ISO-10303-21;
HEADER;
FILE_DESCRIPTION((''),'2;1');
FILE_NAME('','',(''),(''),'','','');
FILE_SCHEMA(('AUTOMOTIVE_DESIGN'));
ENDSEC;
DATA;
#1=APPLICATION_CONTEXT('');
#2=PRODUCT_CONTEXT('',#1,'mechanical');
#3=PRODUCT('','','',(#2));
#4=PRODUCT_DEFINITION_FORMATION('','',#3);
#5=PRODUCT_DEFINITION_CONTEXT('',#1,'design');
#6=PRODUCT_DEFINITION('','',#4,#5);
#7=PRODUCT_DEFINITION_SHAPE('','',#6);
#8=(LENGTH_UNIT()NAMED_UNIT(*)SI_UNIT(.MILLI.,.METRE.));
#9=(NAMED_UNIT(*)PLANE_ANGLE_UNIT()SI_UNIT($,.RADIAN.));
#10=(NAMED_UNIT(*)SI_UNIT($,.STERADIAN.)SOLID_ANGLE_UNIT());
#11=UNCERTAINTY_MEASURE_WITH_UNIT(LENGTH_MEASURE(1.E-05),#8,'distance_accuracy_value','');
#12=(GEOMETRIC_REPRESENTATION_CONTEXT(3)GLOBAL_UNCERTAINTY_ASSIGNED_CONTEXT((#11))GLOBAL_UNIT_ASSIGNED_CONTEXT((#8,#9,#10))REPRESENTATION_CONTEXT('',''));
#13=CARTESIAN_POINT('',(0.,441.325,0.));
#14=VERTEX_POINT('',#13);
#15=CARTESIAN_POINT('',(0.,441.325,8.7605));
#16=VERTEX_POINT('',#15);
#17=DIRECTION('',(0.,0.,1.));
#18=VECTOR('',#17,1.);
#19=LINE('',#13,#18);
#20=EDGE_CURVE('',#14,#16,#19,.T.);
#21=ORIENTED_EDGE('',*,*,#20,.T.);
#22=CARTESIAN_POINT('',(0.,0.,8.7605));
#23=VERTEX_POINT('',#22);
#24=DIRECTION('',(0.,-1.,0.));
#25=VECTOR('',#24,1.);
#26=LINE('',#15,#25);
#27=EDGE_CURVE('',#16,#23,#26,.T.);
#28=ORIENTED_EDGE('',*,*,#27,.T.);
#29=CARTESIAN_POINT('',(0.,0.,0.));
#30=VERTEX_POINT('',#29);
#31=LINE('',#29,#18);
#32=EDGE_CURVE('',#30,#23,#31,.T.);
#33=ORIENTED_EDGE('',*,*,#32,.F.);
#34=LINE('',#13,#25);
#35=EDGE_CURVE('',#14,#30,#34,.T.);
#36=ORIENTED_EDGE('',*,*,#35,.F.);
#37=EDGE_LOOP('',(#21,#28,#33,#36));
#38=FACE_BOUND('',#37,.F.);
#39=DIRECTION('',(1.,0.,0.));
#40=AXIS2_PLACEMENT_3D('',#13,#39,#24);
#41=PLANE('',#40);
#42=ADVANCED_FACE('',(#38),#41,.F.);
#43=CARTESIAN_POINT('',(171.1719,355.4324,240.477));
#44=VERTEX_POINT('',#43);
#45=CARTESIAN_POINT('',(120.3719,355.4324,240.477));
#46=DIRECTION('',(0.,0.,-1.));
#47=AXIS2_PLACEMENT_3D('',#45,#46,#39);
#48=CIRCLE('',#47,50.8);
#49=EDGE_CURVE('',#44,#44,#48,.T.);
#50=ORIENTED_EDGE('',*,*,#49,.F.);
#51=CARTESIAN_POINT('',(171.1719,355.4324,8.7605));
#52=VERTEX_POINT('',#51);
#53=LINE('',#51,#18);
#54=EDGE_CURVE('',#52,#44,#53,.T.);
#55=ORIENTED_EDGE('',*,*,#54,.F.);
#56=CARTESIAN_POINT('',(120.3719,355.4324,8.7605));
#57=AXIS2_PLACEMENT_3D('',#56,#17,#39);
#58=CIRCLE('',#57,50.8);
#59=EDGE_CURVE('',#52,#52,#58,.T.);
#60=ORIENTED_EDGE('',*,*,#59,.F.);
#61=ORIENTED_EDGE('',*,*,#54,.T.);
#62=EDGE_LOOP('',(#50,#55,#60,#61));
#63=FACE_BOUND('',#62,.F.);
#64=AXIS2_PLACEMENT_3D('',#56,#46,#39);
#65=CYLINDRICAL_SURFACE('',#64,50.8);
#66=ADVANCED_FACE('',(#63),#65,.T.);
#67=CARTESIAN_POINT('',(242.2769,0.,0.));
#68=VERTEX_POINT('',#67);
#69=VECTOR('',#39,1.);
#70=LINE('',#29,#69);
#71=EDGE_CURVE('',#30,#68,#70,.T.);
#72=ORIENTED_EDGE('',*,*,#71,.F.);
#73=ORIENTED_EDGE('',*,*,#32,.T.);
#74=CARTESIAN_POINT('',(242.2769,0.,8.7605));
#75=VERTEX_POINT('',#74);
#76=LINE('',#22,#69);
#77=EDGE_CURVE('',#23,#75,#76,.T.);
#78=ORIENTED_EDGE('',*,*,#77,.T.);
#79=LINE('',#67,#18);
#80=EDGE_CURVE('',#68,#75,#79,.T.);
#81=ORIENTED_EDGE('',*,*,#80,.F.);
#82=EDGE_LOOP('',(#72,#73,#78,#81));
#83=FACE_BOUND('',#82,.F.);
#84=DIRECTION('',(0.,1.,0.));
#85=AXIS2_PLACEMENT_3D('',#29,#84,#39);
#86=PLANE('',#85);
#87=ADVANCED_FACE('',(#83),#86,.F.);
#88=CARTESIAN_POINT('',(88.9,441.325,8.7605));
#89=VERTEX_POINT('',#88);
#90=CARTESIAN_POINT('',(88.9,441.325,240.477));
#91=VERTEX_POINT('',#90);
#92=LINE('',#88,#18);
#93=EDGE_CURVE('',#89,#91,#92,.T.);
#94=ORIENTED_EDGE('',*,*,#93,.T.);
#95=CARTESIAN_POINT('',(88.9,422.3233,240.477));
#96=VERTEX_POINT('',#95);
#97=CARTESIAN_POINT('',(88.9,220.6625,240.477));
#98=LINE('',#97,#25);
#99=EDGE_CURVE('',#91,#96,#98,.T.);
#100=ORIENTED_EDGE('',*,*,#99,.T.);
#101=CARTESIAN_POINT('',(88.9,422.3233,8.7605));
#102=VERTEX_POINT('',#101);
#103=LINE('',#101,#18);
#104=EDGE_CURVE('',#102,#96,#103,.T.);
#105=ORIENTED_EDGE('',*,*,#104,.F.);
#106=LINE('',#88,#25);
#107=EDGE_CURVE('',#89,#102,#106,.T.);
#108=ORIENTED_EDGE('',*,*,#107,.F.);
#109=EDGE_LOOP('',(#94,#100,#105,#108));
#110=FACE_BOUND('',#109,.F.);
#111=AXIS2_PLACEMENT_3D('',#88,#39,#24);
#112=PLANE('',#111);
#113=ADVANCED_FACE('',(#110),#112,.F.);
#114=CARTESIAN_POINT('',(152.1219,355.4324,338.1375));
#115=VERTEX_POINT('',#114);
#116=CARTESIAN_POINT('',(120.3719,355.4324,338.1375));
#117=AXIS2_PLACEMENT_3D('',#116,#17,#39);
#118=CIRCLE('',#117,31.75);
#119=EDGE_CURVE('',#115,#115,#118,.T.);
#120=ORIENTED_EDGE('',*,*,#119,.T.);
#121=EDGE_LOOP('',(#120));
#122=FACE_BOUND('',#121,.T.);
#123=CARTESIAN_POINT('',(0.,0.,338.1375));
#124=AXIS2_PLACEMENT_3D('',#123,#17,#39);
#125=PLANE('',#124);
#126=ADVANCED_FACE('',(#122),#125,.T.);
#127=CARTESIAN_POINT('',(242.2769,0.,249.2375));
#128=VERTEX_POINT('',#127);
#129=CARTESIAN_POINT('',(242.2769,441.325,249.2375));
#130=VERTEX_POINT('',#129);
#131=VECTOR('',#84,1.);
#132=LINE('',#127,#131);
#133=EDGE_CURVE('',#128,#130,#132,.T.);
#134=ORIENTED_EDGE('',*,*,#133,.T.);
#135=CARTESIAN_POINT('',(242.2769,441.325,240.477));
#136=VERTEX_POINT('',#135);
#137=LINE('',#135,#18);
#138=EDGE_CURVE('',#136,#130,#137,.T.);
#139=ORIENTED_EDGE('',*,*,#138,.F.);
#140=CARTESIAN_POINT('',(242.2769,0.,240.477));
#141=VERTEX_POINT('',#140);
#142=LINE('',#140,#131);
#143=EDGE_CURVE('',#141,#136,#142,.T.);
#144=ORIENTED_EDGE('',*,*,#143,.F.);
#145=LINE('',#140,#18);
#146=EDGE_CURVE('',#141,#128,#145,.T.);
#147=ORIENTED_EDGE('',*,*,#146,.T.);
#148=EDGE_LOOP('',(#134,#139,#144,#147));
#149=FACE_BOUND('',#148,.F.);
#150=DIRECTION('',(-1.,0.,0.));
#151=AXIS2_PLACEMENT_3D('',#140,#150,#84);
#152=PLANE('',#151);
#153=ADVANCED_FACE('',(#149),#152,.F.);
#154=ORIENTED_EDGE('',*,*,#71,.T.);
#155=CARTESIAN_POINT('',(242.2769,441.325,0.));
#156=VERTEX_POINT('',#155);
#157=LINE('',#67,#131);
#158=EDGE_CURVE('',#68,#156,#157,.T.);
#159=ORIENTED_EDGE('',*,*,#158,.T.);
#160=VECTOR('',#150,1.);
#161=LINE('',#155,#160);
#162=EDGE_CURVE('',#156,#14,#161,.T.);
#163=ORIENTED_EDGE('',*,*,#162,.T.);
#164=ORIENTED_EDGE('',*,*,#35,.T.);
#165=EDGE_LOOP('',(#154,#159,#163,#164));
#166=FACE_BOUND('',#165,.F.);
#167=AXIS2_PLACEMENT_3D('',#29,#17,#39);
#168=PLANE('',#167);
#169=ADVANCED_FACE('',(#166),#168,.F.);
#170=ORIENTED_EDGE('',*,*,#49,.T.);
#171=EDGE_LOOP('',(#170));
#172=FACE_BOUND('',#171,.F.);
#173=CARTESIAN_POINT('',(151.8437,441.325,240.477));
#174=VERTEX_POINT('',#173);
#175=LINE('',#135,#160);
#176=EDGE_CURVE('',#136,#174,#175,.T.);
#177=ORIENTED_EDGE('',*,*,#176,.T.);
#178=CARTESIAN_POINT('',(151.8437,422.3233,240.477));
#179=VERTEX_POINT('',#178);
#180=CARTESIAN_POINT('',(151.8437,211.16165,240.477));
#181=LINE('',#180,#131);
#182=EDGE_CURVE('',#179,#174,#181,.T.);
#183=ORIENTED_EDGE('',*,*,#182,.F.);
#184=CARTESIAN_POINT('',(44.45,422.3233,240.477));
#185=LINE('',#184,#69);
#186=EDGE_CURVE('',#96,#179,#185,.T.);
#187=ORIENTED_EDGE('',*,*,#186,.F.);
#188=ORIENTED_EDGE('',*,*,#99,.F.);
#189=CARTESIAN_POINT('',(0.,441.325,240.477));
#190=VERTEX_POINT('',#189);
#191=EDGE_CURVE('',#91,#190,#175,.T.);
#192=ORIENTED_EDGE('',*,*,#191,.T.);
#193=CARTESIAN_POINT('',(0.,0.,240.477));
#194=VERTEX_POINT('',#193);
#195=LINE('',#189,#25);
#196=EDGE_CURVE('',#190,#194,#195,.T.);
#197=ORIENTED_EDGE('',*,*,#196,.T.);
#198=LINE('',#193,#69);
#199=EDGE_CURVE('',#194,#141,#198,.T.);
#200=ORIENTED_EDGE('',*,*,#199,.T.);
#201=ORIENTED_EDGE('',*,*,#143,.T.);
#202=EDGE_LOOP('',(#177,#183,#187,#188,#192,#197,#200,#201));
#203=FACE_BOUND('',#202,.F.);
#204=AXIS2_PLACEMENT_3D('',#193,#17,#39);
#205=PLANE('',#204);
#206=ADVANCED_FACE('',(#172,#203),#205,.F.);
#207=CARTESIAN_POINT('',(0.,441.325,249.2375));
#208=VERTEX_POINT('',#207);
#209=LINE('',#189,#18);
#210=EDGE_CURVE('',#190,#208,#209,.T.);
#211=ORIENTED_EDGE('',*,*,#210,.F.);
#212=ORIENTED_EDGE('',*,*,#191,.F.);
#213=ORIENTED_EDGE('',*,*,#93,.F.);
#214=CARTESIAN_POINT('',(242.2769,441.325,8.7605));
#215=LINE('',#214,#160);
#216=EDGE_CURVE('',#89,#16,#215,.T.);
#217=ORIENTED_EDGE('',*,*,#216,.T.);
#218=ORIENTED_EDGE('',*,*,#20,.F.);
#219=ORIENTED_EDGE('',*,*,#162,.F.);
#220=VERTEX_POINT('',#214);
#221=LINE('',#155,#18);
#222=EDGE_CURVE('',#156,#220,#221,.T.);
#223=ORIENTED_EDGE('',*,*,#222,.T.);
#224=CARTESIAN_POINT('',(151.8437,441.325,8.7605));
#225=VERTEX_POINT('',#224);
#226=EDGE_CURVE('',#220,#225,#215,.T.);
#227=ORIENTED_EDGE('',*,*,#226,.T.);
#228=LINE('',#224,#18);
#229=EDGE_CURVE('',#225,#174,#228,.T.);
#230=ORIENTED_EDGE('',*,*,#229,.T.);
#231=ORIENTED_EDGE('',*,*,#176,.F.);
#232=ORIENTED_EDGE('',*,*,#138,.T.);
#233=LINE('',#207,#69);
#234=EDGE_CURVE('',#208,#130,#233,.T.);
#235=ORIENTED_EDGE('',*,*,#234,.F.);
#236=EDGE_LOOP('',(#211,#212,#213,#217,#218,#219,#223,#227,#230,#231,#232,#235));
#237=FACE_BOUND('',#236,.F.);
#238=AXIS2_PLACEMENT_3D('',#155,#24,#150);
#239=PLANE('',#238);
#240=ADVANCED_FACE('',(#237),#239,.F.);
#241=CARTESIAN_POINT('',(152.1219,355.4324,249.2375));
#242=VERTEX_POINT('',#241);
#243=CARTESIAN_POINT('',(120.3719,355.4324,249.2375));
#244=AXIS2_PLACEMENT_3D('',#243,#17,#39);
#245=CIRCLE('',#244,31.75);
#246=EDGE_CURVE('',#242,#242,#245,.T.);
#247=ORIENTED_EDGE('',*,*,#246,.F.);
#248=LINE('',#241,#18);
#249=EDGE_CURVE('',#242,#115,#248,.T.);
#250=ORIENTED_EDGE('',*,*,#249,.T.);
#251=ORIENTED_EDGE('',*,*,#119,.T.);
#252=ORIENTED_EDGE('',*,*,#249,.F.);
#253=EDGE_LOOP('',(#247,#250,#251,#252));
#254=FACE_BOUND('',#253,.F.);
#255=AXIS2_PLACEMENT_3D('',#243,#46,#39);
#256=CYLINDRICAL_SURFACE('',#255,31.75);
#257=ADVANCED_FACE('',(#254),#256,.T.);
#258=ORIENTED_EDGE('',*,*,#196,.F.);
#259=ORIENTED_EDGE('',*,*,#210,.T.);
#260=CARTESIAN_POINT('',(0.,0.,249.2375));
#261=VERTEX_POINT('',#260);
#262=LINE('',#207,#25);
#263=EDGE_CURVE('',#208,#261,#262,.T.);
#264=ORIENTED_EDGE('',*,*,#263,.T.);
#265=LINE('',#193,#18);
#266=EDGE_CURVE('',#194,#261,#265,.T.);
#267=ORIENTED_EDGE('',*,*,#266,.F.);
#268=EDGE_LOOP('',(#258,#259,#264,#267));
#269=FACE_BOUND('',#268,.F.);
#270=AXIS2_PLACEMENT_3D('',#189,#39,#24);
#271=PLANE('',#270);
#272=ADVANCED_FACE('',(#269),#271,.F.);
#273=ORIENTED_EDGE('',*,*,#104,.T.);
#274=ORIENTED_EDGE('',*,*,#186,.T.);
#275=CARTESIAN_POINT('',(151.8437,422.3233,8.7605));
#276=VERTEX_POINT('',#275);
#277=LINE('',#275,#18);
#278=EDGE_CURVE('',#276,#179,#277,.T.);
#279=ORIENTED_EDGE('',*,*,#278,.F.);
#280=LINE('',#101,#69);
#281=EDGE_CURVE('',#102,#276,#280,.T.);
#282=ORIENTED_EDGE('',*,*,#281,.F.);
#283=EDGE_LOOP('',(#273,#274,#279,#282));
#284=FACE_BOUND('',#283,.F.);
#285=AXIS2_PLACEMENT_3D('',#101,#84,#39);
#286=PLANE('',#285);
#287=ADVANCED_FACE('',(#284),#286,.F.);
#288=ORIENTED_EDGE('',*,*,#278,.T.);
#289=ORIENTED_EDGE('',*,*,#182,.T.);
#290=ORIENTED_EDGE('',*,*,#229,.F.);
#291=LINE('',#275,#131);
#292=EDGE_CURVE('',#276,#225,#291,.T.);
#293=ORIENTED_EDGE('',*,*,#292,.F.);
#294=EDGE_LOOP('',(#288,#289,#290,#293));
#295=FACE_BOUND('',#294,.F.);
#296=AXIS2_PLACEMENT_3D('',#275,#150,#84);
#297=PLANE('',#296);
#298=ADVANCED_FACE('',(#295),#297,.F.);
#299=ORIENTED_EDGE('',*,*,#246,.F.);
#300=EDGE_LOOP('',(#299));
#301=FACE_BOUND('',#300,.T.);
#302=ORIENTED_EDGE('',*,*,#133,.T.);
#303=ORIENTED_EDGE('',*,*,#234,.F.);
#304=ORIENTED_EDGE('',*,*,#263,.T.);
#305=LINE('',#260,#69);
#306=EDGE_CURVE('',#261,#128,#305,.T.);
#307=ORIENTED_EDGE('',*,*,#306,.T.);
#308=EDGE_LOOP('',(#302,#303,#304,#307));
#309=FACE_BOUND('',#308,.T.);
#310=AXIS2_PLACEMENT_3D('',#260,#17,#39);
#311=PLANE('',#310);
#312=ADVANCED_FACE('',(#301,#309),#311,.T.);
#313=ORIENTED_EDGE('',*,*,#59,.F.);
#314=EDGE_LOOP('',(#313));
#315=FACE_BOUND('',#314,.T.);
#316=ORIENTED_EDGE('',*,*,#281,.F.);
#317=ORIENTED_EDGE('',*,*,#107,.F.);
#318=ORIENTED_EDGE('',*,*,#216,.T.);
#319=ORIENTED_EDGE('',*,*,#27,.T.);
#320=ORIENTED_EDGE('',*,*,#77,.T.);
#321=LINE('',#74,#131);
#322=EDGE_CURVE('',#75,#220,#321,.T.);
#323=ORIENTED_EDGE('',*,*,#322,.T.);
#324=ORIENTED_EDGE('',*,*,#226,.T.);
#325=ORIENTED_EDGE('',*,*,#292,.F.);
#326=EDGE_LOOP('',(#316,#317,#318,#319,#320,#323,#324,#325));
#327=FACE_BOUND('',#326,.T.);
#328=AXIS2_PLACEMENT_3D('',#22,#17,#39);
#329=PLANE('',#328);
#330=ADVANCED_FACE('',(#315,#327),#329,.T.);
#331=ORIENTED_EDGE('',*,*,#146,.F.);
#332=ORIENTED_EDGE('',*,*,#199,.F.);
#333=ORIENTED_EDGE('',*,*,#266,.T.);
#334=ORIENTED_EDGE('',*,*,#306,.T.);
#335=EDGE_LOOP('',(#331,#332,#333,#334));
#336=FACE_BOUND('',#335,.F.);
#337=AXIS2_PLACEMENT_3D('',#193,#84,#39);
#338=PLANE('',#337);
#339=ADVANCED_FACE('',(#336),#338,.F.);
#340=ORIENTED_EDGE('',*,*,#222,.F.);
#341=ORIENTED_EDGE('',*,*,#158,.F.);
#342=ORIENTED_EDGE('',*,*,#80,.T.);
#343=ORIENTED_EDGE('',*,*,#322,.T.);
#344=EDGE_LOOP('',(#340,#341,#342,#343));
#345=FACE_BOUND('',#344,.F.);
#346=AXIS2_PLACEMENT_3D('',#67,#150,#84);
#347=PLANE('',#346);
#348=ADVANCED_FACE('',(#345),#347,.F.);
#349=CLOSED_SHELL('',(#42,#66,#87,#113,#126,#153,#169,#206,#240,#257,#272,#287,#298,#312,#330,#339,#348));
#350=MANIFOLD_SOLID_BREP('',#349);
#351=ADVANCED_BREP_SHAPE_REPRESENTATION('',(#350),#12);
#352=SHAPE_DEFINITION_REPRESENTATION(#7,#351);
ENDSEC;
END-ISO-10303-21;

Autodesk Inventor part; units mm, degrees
ref_plane "YZ Plane" through (0, 0, 0) normal (1, 0, 0) x (0, 1, 0)
ref_plane "XZ Plane" through (0, 0, 0) normal (0, 1, 0) x (-1, 0, 0)
ref_plane "XY Plane" through (0, 0, 0) normal (0, 0, 1) x (1, 0, 0)
sketch "Sketch1" plane through (0, 0, 0) normal (0, 0, 1) x (1, 0, 0)
  line L0 (0, 0) -> (242.2769, 0)
  line L1 (242.2769, 0) -> (242.2769, 441.325)
  line L2 (242.2769, 441.325) -> (0, 441.325)
  line L3 (0, 441.325) -> (0, 0)
  dimension "d0" = 242.2769
  dimension "d1" = 441.325
extrude "Extrusion1" add sketch "Sketch1" along normal blind 8.7605
sketch "Sketch2" plane through (0, 0, 8.7605) normal (0, 0, 1) x (1, 0, 0)
  line L0 (242.2769, 441.325) -> (0, 441.325) projected
  line L1 (0, 441.325) -> (88.9, 441.325)
  line L2 (88.9, 441.325) -> (88.9, 422.3233)
  line L3 (88.9, 422.3233) -> (151.8437, 422.3233)
  line L4 (151.8437, 422.3233) -> (151.8437, 441.325)
  dimension "d4" = 88.9
  dimension "d5" = 19.0017
  dimension "d6" = 62.9437
extrude "Extrusion2" add sketch "Sketch2" along normal blind 231.7166
sketch "Sketch3" plane through (0, 0, 240.477) normal (0, 0, 1) x (1, 0, 0)
  line L0 (88.9, 441.325) -> (88.9, 422.3233) projected
  line L1 (88.9, 422.3233) -> (151.8437, 422.3233) projected
  line L2 (151.8437, 422.3233) -> (151.8437, 441.325) projected
  line L3 (151.8437, 441.325) -> (88.9, 441.325) projected
  line L4 (88.9, 441.325) -> (0, 441.325) projected
  line L5 (151.8437, 441.325) -> (151.8437, 422.3233) projected
  line L6 (151.8437, 422.3233) -> (88.9, 422.3233) projected
  line L7 (88.9, 422.3233) -> (88.9, 441.325) projected
  line L8 (88.9, 441.325) -> (0, 441.325) projected
  line L9 (0, 441.325) -> (0, 0) projected
  line L10 (0, 0) -> (242.2769, 0) projected
  line L11 (242.2769, 0) -> (242.2769, 441.325) projected
  line L12 (242.2769, 441.325) -> (151.8437, 441.325) projected
extrude "Extrusion3" add sketch "Sketch3" along normal blind 8.7605
sketch "Sketch6" plane through (0, 0, 8.7605) normal (0, 0, 1) x (1, 0, 0)
  circle A0 centre (120.3719, 355.4324) radius 50.8
extrude "Extrusion4" add sketch "Sketch6" along normal blind 231.7166
sketch "Sketch7" plane through (0, 0, 249.2375) normal (0, 0, 1) x (1, 0, 0)
  circle A0 centre (120.3719, 355.4324) radius 50.8 projected
  circle A1 centre (120.3719, 355.4324) radius 31.75
  dimension "d15" = 63.5
extrude "Extrusion5" add sketch "Sketch7" along normal blind 88.9 contours A1
properties part number "Robotics ball launcher motor frame"
